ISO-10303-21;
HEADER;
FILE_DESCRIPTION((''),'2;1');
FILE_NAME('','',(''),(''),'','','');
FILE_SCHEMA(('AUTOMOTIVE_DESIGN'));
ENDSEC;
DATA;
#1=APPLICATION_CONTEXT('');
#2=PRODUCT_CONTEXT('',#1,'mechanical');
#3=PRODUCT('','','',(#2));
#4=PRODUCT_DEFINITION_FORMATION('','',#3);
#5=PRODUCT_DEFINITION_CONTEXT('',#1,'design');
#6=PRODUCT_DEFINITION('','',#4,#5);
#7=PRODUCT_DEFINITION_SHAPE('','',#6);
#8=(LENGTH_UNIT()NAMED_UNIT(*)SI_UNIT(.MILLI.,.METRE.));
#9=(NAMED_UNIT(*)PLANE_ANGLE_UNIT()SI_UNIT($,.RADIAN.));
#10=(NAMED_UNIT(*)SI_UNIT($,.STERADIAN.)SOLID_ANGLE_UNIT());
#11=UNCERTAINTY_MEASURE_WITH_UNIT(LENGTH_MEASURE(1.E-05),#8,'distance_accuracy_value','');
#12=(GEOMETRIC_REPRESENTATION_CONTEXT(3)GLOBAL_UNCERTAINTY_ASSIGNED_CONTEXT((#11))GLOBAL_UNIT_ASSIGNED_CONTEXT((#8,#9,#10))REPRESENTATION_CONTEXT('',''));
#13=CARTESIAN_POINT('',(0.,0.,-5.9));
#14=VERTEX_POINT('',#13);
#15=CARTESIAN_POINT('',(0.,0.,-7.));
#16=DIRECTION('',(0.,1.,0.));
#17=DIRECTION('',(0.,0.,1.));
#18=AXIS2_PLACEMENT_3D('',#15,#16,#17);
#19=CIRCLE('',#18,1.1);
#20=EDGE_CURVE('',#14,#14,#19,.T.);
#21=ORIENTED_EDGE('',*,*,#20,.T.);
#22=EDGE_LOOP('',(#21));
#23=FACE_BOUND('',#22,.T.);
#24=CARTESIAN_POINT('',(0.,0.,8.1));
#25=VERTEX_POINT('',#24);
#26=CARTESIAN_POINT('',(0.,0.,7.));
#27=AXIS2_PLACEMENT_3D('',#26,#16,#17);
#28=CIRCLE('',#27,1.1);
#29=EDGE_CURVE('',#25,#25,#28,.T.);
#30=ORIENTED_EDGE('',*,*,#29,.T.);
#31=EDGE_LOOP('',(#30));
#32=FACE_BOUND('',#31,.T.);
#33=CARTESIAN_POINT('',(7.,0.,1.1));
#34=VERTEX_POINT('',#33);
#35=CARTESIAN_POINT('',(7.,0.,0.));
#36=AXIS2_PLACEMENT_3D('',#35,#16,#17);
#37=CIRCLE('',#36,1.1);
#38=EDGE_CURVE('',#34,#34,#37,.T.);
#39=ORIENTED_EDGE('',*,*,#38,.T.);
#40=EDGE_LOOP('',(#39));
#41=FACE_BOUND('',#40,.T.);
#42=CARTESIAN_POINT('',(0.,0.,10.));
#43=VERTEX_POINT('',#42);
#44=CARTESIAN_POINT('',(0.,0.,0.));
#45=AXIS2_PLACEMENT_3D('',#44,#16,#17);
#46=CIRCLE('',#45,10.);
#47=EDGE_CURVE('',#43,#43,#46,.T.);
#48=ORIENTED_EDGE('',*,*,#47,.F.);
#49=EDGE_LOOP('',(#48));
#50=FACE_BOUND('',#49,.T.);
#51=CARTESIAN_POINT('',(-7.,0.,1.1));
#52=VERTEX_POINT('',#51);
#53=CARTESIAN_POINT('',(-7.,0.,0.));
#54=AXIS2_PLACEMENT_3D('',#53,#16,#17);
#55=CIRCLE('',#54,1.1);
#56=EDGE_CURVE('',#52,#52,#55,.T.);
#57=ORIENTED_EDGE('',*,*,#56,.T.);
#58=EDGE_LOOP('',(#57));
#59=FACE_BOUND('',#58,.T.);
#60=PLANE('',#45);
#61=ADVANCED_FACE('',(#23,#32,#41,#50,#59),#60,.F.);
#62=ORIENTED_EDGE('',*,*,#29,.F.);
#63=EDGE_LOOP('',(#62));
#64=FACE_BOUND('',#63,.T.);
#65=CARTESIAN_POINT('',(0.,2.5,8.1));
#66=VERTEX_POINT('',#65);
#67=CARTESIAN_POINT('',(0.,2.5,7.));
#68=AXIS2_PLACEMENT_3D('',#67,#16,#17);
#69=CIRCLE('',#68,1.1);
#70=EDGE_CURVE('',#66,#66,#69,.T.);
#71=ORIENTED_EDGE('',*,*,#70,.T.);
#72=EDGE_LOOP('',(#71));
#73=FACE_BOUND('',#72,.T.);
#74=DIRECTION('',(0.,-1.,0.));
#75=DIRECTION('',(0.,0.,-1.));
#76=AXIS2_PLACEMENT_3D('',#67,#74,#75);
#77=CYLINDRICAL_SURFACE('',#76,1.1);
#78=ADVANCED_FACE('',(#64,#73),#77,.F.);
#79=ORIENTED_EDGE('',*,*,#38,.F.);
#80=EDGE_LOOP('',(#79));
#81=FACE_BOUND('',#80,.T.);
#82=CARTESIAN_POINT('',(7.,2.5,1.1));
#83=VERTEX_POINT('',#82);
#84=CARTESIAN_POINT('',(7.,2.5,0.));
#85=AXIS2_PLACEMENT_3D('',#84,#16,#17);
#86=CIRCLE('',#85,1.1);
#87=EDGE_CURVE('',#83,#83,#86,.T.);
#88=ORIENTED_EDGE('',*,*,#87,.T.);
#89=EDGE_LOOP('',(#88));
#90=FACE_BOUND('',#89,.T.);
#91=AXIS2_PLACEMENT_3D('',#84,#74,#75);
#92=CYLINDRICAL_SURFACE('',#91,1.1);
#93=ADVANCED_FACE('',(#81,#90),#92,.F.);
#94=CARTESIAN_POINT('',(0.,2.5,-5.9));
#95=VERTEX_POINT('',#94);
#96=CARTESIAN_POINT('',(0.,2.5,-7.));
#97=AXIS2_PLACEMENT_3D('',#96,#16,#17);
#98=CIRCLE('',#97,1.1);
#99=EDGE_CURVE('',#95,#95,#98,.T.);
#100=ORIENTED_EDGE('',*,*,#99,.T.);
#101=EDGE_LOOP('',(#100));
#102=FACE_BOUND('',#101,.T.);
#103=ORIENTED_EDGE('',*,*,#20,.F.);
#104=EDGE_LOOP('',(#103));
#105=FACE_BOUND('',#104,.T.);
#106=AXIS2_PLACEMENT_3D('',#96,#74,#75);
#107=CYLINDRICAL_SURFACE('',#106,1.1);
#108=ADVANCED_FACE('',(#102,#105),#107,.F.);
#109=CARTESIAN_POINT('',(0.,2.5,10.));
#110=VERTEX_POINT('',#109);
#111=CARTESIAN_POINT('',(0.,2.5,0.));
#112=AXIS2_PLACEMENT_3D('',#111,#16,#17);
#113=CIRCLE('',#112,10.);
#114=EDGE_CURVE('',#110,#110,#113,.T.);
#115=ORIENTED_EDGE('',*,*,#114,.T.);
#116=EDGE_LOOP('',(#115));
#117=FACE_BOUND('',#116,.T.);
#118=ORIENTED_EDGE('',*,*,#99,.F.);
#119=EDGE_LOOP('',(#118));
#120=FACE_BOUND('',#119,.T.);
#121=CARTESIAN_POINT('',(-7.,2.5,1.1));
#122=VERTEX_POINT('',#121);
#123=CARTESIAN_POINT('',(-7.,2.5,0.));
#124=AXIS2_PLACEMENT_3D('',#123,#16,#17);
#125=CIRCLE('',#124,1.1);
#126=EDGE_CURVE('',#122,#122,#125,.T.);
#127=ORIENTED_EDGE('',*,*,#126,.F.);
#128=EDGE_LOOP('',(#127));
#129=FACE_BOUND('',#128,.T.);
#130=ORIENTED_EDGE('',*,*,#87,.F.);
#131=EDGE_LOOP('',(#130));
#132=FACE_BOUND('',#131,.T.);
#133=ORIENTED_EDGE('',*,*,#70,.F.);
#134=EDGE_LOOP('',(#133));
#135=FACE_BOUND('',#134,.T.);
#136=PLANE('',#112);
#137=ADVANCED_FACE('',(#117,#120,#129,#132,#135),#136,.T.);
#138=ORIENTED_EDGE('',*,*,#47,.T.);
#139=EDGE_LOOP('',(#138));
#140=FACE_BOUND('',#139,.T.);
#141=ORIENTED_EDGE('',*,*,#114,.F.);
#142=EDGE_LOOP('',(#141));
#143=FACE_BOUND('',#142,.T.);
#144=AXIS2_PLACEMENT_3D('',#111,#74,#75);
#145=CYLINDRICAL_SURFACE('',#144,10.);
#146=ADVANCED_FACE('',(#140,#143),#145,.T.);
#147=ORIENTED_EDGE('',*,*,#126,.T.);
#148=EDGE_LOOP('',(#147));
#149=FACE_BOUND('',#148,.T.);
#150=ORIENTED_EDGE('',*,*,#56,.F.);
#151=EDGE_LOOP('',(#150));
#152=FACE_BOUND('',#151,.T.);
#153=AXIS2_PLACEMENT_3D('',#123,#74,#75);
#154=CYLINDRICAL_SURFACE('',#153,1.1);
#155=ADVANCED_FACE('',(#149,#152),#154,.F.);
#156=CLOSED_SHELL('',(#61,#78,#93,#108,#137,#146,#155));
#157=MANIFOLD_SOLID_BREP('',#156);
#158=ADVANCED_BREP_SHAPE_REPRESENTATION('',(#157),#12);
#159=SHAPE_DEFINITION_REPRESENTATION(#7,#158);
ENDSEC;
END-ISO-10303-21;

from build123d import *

# Parameters (mm, degrees)
SKETCH1_R           = 10
SKETCH1_R_2         = 1.1
BOSS_EXTRUDE1_DEPTH = 2.5


with BuildPart() as part:
    # Sketch1 → Boss-Extrude1 (new body)
    with BuildSketch(Plane(origin=(0, 0, 0), x_dir=(1, 0, 0), z_dir=(0, 1, 0))):
        with Locations(Location((0, 0, 0), (0, 0, 270))):
            Circle(SKETCH1_R)
        with Locations(Location((0, 7, 0), (0, 0, 270))):
            Circle(SKETCH1_R_2, mode=Mode.SUBTRACT)
        with Locations(Location((7, 0, 0), (0, 0, 270))):
            Circle(SKETCH1_R_2, mode=Mode.SUBTRACT)
        with Locations(Location((0, -7, 0), (0, 0, 270))):
            Circle(SKETCH1_R_2, mode=Mode.SUBTRACT)
        with Locations(Location((-7, 0, 0), (0, 0, 270))):
            Circle(SKETCH1_R_2, mode=Mode.SUBTRACT)
    extrude(amount=BOSS_EXTRUDE1_DEPTH)


solid = part.part
